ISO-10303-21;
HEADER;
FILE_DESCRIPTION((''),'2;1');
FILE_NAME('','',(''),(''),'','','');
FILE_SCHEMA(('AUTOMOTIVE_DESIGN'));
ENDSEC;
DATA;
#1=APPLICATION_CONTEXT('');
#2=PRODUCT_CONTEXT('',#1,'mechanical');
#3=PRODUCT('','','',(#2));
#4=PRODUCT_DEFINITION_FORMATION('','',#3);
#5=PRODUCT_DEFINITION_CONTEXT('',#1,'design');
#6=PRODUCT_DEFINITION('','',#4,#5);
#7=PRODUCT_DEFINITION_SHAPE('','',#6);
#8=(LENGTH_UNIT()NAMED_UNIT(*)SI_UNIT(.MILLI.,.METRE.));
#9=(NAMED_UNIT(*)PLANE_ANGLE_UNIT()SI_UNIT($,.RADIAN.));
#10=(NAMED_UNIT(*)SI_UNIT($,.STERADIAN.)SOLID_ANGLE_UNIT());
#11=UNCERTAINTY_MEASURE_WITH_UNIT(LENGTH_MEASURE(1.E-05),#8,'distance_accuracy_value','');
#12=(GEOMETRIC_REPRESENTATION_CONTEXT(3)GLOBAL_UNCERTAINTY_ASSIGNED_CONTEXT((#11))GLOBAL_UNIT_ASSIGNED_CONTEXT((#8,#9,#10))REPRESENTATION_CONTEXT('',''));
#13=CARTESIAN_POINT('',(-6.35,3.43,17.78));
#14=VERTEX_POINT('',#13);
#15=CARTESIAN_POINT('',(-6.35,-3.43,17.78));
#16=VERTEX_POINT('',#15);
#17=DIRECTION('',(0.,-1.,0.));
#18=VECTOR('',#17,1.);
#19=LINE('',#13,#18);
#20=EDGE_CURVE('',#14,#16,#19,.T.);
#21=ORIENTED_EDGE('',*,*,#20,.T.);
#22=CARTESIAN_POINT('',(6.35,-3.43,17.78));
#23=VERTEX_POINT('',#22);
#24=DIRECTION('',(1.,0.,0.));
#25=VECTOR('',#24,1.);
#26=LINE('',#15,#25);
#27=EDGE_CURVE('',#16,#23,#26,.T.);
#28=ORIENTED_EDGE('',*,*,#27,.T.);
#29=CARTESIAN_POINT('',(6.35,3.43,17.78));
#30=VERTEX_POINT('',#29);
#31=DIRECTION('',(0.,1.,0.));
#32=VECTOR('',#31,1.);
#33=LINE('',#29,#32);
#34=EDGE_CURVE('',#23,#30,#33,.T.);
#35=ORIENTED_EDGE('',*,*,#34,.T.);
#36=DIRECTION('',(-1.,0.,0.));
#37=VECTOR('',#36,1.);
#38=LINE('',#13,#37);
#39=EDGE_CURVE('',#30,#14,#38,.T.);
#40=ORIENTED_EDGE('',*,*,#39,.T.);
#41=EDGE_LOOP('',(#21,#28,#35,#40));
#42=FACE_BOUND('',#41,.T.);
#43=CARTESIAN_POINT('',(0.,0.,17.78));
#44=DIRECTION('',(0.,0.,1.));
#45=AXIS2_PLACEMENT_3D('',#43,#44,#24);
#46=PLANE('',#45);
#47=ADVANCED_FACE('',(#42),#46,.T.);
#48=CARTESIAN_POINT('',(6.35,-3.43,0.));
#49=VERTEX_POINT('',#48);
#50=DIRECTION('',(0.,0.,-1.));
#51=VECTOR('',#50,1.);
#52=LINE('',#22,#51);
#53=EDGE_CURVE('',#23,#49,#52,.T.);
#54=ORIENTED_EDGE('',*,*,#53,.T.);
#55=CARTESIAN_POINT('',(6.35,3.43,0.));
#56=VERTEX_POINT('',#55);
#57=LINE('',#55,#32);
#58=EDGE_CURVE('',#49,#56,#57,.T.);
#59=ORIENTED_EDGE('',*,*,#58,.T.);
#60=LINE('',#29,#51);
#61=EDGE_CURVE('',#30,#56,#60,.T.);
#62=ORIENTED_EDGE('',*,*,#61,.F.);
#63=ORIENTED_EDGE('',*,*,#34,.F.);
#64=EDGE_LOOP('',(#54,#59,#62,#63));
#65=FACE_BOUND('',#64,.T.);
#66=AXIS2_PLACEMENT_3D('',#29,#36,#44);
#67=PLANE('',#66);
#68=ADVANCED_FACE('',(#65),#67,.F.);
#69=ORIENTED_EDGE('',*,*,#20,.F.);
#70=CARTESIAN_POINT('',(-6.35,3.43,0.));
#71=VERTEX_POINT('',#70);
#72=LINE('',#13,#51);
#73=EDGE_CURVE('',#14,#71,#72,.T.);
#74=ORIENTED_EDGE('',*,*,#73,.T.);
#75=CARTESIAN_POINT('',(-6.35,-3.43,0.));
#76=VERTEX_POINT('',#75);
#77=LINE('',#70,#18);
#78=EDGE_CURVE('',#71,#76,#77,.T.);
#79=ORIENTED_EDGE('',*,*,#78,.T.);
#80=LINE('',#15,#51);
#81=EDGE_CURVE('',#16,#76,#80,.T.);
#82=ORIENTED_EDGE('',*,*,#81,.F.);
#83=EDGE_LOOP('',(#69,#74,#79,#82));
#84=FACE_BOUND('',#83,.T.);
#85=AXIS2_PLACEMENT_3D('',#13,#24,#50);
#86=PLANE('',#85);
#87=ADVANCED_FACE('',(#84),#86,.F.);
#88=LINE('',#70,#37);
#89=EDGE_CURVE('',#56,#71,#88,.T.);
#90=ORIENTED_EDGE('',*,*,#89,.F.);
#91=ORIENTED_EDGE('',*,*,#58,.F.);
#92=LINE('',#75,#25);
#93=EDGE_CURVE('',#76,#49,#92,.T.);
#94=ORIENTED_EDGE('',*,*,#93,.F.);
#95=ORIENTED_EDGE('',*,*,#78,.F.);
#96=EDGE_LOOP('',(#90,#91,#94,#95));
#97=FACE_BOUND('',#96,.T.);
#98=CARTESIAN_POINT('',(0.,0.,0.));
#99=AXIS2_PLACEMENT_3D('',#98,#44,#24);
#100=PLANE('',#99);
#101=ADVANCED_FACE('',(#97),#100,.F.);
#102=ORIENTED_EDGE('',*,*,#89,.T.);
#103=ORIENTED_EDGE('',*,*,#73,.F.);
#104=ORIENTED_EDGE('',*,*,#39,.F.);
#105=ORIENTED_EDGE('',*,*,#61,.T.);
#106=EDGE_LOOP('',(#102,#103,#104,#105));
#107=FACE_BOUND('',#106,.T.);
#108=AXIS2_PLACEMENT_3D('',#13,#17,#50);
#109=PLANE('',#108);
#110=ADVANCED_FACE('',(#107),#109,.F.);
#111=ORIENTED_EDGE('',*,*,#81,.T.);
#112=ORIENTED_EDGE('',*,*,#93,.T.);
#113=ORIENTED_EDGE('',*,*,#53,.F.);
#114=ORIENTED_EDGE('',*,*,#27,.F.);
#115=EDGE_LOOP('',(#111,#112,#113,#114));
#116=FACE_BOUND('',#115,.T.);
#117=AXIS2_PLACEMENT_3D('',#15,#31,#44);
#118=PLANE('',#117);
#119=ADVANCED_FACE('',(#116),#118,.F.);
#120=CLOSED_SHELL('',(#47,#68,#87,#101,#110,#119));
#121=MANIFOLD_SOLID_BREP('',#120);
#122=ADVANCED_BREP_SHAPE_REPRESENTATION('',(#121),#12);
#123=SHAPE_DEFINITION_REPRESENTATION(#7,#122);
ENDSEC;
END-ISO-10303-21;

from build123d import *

# Parameters (mm, degrees)
SKETCH1_W           = 12.7
SKETCH1_H           = 6.86
BOSS_EXTRUDE1_DEPTH = 17.78


with BuildPart() as part:
    # Sketch1 → Boss-Extrude1 (new body)
    with BuildSketch(Plane.XY):
        Rectangle(SKETCH1_W, SKETCH1_H)
    extrude(amount=BOSS_EXTRUDE1_DEPTH)


solid = part.part
